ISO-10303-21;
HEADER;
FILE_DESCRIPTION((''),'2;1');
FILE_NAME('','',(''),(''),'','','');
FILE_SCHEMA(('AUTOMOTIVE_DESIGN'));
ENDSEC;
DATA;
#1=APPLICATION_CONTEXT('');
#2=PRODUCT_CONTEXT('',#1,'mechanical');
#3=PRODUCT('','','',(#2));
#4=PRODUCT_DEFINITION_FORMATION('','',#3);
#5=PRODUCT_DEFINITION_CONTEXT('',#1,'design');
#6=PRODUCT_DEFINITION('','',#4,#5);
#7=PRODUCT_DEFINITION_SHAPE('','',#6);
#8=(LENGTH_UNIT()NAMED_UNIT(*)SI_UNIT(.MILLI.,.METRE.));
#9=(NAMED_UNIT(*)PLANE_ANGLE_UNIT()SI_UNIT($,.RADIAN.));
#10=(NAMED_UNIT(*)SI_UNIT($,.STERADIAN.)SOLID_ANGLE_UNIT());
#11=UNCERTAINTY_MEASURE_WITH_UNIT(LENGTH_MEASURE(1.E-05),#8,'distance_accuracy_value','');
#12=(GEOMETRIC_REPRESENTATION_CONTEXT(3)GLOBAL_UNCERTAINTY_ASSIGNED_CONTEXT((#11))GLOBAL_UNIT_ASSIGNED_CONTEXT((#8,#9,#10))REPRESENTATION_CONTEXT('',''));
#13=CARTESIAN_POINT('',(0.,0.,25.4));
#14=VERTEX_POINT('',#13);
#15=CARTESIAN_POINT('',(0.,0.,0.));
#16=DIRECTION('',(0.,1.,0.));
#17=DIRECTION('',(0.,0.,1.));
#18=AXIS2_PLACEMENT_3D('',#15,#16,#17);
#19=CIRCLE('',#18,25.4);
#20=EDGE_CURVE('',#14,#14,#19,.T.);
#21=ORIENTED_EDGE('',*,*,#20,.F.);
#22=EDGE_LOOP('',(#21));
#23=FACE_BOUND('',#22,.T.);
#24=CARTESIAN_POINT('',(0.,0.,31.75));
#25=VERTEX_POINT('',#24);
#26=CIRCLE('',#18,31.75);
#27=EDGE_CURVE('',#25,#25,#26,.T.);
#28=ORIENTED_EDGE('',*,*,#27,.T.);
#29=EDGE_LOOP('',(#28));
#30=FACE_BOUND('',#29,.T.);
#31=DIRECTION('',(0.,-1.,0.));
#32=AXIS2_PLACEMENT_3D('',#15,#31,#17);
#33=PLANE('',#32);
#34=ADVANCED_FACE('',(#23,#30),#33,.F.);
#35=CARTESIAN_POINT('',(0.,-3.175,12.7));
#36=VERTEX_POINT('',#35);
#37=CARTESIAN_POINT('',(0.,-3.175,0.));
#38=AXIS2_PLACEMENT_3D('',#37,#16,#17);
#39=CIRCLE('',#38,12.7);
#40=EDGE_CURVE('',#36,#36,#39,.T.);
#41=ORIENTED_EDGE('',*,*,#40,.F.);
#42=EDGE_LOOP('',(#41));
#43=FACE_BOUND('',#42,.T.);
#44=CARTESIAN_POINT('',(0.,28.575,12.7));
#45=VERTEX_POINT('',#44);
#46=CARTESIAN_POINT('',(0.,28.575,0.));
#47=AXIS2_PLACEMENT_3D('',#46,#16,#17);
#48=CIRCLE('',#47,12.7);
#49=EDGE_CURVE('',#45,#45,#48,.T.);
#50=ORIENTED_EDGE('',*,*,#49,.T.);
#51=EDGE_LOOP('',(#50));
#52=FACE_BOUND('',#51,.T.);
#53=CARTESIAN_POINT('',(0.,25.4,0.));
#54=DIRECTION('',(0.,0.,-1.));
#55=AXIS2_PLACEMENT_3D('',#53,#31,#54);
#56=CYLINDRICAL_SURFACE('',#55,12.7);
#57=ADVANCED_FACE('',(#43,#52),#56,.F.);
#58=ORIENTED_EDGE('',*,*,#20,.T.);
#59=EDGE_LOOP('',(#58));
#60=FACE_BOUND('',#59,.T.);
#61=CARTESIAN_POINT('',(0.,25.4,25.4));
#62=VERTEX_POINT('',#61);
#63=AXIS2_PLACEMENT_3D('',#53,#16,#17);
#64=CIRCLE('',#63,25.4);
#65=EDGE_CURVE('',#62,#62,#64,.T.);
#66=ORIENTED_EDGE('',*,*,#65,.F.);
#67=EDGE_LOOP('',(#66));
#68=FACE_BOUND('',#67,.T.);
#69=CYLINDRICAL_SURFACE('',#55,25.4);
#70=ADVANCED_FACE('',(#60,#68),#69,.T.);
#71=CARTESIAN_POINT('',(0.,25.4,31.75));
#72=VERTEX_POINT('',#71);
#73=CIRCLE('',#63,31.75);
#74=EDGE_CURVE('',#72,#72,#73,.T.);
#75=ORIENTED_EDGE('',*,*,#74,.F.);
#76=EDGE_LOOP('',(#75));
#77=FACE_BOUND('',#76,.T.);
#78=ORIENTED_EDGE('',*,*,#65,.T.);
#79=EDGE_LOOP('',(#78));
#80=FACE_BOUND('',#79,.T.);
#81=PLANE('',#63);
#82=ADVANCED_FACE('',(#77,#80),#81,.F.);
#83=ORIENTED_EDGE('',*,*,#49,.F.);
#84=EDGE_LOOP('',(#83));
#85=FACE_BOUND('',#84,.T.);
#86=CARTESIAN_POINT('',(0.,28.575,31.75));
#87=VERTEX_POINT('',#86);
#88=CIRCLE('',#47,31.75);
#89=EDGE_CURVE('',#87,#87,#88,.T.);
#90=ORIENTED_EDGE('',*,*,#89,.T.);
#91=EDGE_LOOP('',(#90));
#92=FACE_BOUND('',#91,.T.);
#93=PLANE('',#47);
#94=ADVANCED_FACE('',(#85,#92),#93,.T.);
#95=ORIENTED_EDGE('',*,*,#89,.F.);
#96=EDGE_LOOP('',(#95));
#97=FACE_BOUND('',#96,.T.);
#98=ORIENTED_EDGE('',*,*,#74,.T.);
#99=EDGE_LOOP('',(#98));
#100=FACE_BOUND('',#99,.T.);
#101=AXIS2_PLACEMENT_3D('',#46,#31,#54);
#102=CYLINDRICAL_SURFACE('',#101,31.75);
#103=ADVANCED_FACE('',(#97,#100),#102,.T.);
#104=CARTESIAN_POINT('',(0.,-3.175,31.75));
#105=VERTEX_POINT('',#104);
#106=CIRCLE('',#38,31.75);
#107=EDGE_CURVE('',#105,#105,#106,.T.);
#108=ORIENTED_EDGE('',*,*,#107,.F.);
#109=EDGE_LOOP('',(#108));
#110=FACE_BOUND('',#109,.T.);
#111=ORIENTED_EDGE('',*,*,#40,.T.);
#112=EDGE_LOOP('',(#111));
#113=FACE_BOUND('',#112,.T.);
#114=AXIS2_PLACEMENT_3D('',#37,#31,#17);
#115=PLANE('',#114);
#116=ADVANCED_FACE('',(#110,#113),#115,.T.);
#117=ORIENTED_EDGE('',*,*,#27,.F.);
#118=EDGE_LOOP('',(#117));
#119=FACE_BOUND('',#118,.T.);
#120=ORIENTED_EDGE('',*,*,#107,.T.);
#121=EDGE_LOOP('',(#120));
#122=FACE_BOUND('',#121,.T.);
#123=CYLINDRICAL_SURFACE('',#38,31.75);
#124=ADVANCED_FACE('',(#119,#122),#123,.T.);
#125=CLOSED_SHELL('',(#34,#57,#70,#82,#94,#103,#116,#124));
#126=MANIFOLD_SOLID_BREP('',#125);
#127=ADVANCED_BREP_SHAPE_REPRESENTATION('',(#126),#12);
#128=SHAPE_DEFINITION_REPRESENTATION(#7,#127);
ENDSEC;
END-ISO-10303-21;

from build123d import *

# Parameters (mm, degrees)
SKETCH1_R           = 25.4
SKETCH1_R_2         = 12.7
BOSS_EXTRUDE1_DEPTH = 25.4
SKETCH4_R           = 31.75
SKETCH4_R_2         = 12.7
BOSS_EXTRUDE3_DEPTH = 3.175


with BuildPart() as part:
    # Sketch1 → Boss-Extrude1 (new body)
    with BuildSketch(Plane(origin=(0, 0, 0), x_dir=(1, 0, 0), z_dir=(0, 1, 0))):
        with Locations(Location((0, 0, 0), (0, 0, 270))):
            Circle(SKETCH1_R)
        with Locations(Location((0, 0, 0), (0, 0, 270))):
            Circle(SKETCH1_R_2, mode=Mode.SUBTRACT)
    extrude(amount=BOSS_EXTRUDE1_DEPTH)

    # Sketch4 → Boss-Extrude3 (add)
    with BuildSketch(Plane(origin=(0, 25.4, 0), x_dir=(1, 0, 0), z_dir=(0, 1, 0))):
        with Locations(Location((0, 0, 0), (0, 0, 270))):
            Circle(SKETCH4_R)
        with Locations(Location((0, 0, 0), (0, 0, 270))):
            Circle(SKETCH4_R_2, mode=Mode.SUBTRACT)
    boss_extrude3 = extrude(amount=BOSS_EXTRUDE3_DEPTH)

    # Mirror2: Boss-Extrude3 across plane
    add(boss_extrude3.mirror(Plane.ZX.offset(12.7)))


solid = part.part
